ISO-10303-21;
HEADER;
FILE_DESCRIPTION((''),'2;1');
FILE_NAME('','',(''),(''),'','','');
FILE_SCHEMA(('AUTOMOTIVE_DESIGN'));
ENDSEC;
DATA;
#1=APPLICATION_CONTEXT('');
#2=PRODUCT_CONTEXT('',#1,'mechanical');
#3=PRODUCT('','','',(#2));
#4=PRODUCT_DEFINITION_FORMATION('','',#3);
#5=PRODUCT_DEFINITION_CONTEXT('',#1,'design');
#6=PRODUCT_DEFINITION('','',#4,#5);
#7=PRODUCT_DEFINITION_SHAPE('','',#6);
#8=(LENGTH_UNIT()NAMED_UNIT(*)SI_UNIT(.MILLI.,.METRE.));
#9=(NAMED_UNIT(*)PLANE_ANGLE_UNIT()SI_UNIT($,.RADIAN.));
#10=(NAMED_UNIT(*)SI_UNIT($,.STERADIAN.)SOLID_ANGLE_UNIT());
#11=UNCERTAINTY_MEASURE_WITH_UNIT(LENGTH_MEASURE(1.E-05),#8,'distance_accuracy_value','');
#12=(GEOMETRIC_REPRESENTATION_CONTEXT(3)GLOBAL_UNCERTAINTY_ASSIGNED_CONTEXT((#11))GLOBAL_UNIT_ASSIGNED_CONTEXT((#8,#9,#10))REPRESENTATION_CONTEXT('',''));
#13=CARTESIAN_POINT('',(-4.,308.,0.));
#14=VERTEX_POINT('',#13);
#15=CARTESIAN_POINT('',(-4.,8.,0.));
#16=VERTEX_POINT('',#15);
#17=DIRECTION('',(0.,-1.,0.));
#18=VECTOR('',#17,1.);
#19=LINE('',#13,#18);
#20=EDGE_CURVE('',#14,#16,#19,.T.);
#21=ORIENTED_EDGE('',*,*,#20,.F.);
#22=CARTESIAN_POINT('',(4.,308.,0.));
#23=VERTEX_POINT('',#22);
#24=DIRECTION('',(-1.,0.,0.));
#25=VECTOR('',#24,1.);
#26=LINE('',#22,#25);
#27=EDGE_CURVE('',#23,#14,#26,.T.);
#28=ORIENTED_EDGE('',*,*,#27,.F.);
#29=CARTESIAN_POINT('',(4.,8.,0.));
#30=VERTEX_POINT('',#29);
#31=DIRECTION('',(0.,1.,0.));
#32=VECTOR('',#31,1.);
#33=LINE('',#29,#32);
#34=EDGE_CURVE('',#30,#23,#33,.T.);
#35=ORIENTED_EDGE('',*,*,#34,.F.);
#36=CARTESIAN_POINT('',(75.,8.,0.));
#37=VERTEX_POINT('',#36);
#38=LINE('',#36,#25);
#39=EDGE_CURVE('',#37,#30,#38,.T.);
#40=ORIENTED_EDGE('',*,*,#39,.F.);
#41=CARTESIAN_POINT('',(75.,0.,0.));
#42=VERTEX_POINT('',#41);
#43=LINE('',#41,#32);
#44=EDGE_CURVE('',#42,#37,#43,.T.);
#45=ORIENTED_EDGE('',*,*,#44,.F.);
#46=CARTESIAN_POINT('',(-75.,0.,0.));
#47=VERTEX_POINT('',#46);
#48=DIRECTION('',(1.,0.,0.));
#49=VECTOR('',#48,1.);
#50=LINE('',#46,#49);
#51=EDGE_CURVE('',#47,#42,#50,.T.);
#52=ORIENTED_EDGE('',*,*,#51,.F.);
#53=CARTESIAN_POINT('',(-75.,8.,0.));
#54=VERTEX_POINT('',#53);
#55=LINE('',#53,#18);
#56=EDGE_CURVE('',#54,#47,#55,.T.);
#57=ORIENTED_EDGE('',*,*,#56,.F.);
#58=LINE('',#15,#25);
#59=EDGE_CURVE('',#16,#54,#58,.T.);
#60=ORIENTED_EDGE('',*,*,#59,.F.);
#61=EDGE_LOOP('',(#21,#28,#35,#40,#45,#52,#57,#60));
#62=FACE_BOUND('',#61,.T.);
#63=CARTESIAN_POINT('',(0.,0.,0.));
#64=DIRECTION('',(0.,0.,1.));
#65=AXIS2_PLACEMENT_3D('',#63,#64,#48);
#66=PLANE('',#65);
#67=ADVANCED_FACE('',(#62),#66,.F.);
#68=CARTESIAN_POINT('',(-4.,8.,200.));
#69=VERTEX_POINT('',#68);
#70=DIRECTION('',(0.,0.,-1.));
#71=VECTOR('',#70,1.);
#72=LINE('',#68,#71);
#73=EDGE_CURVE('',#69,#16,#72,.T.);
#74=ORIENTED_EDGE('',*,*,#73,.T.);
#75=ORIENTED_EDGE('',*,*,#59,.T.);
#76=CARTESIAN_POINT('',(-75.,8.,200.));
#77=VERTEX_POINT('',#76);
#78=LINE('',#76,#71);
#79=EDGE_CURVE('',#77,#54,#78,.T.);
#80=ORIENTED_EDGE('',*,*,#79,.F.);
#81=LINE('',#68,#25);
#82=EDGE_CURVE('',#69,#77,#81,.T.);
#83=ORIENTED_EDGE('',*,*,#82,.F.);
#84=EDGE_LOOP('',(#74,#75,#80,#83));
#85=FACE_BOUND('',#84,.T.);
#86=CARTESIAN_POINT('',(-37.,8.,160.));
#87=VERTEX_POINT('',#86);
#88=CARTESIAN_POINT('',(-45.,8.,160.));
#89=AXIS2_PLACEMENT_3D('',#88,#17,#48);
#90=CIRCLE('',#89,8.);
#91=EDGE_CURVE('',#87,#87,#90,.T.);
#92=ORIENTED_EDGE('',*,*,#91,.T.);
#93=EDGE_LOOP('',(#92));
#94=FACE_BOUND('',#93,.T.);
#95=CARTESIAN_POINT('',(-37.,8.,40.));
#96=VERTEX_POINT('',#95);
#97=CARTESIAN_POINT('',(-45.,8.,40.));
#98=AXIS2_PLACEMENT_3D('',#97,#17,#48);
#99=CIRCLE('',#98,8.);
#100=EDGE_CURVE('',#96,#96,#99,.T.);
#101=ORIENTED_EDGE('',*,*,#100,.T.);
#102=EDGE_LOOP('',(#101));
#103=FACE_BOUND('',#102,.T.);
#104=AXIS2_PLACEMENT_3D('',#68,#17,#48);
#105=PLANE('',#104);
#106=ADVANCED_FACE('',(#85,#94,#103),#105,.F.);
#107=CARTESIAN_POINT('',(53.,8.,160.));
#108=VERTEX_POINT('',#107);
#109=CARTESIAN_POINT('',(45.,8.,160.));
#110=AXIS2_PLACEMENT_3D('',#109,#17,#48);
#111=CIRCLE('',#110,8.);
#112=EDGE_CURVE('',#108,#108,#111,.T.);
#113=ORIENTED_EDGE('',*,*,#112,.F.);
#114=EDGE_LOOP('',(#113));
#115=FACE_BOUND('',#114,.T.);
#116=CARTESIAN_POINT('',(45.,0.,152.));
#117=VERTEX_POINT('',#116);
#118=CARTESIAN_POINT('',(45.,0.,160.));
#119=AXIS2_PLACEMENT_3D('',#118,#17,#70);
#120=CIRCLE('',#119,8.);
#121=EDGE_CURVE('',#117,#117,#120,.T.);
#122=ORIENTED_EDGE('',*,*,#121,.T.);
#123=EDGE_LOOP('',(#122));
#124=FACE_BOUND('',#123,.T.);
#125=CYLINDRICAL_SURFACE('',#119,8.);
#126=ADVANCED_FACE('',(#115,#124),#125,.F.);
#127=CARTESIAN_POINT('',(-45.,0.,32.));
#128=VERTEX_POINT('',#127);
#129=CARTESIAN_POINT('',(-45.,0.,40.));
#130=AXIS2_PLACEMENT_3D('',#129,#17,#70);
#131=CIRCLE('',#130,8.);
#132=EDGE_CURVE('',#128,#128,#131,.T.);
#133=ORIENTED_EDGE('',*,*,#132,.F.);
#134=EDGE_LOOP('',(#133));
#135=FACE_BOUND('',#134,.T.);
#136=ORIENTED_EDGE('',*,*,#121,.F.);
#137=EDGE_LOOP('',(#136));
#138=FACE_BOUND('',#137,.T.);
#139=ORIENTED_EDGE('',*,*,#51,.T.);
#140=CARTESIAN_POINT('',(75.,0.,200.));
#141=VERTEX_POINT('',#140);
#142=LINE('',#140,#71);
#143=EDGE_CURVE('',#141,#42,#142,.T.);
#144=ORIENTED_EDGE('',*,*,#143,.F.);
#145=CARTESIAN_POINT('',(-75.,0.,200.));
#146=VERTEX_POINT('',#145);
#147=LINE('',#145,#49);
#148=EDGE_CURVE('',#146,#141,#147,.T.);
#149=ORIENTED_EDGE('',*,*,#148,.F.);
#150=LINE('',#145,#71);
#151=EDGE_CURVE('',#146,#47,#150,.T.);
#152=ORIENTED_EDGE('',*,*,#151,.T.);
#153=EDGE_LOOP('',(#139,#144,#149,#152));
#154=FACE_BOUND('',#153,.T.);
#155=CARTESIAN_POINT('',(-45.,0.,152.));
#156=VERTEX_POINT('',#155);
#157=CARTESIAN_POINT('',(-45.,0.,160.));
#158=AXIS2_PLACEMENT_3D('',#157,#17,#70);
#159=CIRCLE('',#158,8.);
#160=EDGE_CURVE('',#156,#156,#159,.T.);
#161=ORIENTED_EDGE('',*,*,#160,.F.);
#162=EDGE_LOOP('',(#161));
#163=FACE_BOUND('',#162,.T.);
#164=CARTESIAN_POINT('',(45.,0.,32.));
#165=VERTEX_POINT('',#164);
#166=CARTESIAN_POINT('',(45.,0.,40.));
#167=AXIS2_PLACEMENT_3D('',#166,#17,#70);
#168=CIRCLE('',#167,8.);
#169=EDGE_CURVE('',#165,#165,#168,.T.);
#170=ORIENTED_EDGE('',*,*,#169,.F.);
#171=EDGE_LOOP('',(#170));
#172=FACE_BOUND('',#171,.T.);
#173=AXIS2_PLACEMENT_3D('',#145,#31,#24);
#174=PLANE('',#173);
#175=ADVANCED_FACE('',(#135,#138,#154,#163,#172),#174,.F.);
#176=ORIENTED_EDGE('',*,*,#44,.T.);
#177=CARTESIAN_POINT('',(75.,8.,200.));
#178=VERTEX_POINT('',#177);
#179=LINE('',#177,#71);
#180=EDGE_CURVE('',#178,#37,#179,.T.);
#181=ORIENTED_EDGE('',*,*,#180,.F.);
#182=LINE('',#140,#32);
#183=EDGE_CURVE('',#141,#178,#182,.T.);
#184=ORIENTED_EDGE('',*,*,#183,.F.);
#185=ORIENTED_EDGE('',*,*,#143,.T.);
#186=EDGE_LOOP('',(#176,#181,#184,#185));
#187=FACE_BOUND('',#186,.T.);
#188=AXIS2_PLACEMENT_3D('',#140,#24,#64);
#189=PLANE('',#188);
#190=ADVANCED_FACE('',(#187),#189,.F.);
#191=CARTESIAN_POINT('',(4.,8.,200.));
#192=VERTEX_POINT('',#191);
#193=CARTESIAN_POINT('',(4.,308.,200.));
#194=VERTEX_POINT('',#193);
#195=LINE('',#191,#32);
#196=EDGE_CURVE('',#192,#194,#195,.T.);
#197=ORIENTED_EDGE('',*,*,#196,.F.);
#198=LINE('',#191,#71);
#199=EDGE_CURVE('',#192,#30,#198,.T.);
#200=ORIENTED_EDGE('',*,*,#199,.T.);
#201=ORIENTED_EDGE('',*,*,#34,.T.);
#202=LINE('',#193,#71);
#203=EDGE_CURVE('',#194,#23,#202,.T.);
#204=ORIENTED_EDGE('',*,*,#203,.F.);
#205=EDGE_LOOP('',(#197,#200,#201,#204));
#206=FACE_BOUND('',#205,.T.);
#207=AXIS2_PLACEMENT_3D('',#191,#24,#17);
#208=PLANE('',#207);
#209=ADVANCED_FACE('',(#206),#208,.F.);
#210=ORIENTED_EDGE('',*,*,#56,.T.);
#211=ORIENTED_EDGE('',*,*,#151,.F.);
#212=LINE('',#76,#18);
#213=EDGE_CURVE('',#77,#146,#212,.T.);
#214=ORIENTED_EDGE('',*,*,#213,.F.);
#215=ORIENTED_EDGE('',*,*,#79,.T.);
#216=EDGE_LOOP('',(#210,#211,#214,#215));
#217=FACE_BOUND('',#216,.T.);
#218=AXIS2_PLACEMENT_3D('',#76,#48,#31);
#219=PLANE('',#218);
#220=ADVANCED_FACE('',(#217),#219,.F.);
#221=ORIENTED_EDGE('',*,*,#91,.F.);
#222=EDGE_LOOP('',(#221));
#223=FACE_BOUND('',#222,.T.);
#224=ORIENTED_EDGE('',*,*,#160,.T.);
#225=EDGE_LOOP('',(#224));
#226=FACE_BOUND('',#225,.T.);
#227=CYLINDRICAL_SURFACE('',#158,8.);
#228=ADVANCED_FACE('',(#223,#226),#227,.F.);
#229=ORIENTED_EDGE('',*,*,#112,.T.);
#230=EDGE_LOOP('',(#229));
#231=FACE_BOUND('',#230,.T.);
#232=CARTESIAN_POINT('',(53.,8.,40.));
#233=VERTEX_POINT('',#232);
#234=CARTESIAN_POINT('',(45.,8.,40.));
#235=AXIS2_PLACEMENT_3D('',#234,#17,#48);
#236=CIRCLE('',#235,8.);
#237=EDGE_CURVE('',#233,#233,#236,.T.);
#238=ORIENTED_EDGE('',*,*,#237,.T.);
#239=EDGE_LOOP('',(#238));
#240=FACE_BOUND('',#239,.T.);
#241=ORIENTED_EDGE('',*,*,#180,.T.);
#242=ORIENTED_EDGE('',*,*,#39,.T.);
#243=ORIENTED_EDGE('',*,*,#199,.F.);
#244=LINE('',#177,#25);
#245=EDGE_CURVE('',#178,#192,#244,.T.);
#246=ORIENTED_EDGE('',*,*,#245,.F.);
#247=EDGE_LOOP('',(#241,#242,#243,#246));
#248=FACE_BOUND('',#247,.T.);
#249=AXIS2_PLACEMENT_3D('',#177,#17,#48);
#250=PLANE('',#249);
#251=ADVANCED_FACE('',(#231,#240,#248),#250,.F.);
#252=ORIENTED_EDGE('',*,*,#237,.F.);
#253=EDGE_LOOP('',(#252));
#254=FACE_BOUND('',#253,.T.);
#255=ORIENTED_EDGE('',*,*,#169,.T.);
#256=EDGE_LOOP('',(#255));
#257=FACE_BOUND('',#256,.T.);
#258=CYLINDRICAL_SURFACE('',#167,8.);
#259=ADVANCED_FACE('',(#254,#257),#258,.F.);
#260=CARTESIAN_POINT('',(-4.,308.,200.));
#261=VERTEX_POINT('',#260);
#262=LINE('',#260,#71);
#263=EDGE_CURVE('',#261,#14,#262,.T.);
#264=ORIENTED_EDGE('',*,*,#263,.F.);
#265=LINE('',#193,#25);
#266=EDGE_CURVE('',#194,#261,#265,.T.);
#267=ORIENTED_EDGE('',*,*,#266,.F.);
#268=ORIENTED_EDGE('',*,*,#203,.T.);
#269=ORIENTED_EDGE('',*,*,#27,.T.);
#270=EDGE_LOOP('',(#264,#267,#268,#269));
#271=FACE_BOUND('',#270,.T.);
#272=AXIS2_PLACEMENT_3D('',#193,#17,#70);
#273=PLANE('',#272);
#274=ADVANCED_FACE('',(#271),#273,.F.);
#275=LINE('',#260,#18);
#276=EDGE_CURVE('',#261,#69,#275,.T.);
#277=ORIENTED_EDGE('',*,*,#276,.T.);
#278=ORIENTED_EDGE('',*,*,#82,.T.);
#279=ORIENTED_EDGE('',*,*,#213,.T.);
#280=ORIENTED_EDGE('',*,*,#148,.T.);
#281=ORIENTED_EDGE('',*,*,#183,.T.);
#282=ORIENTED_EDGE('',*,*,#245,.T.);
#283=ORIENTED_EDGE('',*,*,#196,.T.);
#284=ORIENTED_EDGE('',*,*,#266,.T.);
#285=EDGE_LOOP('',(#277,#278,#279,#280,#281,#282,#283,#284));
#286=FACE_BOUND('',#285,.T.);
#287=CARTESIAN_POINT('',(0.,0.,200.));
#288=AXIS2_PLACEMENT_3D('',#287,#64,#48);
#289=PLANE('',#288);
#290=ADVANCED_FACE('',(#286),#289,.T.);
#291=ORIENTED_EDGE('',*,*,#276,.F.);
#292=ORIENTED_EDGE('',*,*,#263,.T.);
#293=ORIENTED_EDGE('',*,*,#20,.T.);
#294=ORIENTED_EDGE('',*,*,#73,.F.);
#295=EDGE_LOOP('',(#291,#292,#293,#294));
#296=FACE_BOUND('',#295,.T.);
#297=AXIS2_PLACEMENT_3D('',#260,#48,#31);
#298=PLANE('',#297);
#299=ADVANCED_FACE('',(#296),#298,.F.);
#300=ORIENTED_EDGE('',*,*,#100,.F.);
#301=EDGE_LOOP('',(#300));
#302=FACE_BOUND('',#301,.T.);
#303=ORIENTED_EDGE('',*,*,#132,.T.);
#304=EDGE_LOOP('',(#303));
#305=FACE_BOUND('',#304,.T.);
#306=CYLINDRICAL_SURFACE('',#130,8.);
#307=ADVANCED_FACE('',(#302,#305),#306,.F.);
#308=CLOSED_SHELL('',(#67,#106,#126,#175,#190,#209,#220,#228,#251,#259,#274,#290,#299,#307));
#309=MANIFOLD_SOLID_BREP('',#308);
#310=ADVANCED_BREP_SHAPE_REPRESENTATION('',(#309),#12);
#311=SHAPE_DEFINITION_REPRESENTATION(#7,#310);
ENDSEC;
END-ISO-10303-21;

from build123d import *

# Parameters (mm, degrees)
BOSS_EXTRUDE1_DEPTH      = 200
F_16_0_MM_DOWEL_HOLES1_D = 16


with BuildPart() as part:
    # Sketch1 → Boss-Extrude1 (new body)
    with BuildSketch(Plane.XY):
        Polygon((-4, 308), (-4, 8), (-75, 8), (-75, 0), (75, 0), (75, 8), (4, 8), (4, 308), align=None)
    extrude(amount=BOSS_EXTRUDE1_DEPTH)

    # Ø16.0 mm Dowel Holes1 (through all)
    with Locations(Plane(origin=(0, 0, 0), x_dir=(-1, 0, 0), z_dir=(0, -1, 0))):
        with Locations((-45, -40), (-45, -160), (45, -160), (45, -40)):
            Hole(F_16_0_MM_DOWEL_HOLES1_D / 2)


solid = part.part
